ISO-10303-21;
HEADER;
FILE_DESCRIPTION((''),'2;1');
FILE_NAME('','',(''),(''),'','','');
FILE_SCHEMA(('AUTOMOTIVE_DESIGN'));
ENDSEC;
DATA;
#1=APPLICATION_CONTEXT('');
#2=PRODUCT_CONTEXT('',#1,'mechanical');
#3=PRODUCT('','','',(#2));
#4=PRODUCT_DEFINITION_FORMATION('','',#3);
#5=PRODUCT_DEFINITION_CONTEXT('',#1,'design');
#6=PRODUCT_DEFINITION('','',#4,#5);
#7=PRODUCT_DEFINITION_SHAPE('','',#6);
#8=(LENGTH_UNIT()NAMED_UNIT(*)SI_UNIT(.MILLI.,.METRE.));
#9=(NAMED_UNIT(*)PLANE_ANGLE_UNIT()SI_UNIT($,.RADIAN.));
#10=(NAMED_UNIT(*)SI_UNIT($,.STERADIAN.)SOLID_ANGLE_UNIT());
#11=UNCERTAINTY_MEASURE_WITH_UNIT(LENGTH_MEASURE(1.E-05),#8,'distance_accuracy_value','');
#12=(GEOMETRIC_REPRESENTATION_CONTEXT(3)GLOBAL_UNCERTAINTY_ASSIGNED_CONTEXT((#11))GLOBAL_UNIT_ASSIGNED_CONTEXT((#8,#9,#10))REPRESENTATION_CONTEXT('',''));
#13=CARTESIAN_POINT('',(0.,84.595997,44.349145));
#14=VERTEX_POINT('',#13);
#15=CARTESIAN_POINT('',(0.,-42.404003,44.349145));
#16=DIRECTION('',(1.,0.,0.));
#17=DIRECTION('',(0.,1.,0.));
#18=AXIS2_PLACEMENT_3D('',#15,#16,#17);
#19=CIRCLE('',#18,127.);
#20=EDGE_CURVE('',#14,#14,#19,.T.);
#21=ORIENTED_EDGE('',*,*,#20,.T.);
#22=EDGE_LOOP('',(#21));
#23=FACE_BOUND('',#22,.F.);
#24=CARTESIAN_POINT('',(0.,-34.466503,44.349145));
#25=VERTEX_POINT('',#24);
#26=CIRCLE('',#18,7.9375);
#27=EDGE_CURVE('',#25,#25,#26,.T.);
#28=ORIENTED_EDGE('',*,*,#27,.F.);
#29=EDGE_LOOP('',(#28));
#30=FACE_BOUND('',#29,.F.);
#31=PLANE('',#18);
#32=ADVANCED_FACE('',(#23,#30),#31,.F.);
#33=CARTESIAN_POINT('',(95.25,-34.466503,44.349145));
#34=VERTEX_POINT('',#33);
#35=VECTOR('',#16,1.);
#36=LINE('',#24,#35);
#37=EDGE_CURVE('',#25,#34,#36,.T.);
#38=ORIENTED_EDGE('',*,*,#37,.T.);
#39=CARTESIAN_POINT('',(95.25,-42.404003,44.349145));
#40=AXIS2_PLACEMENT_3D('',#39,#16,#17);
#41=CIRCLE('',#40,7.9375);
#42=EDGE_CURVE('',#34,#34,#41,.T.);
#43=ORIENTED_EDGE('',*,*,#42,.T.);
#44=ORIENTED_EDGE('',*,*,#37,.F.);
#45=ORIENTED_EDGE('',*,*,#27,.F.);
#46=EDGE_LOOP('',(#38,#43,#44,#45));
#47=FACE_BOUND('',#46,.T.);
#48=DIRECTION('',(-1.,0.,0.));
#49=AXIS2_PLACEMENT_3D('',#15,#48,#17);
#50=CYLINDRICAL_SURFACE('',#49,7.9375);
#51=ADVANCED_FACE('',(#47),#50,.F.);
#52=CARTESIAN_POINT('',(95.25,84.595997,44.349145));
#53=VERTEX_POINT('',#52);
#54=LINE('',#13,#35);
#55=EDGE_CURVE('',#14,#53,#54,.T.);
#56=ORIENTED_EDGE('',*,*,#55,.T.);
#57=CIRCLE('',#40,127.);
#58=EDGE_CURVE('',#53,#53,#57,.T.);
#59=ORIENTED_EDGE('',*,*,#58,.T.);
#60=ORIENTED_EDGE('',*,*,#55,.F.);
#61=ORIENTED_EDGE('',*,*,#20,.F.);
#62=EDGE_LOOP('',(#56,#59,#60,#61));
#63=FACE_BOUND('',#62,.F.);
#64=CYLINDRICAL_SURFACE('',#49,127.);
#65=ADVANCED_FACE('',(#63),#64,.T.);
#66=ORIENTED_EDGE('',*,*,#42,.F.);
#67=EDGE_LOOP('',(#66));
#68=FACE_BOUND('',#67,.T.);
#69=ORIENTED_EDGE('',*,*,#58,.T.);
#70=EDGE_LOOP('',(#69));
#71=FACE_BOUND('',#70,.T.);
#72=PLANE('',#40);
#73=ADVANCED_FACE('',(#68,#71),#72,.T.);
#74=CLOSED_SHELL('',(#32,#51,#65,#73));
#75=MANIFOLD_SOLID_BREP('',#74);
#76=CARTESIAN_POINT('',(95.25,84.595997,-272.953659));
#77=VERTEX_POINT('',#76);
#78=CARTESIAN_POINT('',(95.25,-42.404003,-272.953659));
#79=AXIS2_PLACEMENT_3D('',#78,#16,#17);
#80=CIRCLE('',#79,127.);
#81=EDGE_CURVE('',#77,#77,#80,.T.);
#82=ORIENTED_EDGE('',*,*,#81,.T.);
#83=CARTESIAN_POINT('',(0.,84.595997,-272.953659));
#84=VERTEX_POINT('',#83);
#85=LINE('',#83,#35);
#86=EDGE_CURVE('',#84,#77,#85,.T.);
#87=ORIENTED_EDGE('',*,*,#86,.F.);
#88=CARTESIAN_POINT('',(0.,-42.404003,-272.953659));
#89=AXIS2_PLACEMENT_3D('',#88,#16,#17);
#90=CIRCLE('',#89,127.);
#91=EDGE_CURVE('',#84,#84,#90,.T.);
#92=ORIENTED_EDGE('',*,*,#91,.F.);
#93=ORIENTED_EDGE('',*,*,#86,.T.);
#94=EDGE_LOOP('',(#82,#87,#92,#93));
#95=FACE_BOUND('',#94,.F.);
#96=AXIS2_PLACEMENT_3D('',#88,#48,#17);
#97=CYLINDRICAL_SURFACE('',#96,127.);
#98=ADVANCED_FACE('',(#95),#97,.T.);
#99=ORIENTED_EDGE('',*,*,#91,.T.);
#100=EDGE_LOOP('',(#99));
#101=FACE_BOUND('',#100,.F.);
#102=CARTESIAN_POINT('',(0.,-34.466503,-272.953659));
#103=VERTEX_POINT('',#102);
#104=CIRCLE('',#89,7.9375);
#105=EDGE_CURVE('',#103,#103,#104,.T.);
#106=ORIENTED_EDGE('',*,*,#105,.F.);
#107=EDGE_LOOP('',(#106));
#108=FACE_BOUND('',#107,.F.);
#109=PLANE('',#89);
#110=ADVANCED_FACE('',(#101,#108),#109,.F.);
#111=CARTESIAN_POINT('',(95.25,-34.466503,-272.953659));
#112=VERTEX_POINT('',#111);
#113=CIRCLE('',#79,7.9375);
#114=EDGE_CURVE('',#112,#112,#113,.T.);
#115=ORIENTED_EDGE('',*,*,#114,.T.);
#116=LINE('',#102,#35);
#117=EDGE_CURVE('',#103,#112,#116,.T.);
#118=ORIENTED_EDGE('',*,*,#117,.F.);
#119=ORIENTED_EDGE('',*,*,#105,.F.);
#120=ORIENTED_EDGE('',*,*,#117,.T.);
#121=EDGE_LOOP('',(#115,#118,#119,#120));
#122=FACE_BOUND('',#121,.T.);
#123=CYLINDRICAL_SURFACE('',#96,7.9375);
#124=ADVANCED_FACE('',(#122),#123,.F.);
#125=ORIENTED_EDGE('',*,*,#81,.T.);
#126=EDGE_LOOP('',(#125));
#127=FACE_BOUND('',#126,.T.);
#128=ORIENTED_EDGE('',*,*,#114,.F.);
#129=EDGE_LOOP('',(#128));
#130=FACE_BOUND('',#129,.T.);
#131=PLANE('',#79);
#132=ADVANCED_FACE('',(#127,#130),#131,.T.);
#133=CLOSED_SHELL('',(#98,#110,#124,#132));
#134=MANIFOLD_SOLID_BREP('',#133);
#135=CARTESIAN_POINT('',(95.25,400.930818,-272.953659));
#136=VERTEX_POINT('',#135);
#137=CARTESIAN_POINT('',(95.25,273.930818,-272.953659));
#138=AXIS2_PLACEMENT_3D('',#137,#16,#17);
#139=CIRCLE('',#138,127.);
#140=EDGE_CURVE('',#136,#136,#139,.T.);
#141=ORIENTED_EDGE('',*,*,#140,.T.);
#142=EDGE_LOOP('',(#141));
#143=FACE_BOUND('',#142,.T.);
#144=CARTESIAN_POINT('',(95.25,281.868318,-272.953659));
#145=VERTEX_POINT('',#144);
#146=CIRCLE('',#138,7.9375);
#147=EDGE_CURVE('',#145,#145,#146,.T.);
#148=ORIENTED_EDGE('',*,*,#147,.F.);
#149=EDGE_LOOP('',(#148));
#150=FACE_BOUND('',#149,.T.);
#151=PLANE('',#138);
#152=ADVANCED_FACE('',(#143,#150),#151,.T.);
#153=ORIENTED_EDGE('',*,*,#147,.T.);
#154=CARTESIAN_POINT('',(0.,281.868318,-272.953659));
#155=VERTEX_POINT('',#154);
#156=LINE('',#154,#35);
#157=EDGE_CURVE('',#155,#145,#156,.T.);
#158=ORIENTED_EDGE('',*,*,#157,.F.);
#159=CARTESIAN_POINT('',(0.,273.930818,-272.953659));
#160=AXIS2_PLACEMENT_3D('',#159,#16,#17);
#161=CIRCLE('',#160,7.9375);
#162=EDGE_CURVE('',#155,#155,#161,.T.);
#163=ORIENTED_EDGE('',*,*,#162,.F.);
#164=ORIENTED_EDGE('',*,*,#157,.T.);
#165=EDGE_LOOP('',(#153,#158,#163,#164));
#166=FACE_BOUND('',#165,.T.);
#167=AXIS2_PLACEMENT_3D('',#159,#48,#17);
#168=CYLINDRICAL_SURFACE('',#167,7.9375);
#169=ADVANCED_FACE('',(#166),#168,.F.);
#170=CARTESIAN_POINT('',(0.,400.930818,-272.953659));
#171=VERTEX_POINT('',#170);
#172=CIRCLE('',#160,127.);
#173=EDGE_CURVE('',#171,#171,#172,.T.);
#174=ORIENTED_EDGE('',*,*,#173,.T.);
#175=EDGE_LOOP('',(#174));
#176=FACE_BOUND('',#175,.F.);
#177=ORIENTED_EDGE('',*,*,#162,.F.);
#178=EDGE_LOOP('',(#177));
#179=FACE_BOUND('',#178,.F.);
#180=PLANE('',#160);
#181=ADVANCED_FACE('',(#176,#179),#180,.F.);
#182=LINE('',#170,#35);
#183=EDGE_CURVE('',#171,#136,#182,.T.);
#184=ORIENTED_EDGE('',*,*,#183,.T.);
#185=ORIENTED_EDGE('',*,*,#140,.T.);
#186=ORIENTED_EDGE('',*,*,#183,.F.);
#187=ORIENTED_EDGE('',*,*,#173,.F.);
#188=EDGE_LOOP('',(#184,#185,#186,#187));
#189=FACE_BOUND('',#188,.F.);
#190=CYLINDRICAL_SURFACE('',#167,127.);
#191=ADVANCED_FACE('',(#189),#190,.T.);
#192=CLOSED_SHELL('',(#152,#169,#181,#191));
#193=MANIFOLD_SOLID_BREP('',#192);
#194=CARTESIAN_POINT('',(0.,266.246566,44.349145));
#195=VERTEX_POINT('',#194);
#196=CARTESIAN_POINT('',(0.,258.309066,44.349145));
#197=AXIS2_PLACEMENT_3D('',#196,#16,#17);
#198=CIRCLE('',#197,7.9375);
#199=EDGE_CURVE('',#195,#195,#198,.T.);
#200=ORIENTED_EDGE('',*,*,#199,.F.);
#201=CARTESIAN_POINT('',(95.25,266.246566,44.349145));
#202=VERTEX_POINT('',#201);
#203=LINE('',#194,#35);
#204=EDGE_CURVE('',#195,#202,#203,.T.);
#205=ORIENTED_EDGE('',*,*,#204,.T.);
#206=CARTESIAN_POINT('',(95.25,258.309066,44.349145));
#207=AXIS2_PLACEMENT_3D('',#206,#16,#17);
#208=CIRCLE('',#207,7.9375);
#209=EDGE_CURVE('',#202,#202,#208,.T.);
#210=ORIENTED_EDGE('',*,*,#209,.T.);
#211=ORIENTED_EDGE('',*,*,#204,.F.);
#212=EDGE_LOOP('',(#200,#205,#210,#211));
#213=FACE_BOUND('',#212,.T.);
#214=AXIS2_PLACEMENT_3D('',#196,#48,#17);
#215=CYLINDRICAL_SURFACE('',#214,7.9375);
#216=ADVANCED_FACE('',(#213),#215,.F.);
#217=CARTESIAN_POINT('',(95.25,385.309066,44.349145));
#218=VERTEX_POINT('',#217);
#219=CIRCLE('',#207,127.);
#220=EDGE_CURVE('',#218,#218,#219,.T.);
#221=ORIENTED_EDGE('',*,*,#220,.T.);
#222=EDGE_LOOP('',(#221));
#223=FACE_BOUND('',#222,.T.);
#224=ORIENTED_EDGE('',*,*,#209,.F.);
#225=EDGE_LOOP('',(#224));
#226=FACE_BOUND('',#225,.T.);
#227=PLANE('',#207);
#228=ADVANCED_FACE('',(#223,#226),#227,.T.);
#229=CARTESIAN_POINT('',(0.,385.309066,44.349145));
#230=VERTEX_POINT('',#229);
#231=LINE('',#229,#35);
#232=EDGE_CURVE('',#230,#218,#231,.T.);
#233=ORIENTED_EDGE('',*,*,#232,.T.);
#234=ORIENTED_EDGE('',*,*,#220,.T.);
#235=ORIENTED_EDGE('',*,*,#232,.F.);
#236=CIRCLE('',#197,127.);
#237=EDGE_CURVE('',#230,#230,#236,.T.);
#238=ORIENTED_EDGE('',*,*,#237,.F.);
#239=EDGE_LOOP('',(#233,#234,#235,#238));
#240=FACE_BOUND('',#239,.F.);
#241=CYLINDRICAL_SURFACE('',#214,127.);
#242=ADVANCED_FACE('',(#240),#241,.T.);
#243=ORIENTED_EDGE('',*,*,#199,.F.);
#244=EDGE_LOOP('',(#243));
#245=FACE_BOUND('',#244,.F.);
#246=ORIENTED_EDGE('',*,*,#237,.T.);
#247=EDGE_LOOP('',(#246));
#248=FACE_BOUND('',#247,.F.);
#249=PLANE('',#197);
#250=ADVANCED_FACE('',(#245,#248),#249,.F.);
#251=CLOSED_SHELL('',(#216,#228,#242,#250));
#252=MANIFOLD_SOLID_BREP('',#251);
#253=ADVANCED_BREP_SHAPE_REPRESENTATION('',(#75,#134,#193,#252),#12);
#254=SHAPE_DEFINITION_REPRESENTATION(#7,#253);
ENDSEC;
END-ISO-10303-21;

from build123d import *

# Parameters (mm, degrees)
F0_R     = 127
F0_R_2   = 7.9375
F1_DEPTH = 95.25


with BuildPart() as f1:
    # F0 (on Right) → F1 (new body)
    with BuildSketch(Plane.YZ):
        with Locations((-42.404003, 44.349145)):
            Circle(F0_R)
        with Locations((-42.404003, 44.349145)):
            Circle(F0_R_2, mode=Mode.SUBTRACT)
        with Locations((258.309066, 44.349145)):
            Circle(F0_R)
        with Locations((258.309066, 44.349145)):
            Circle(F0_R_2, mode=Mode.SUBTRACT)
        with Locations((273.930818, -272.953659)):
            Circle(F0_R)
        with Locations((273.930818, -272.953659)):
            Circle(F0_R_2, mode=Mode.SUBTRACT)
        with Locations((-42.404003, -272.953659)):
            Circle(F0_R)
        with Locations((-42.404003, -272.953659)):
            Circle(F0_R_2, mode=Mode.SUBTRACT)
    extrude(amount=F1_DEPTH)


solid = f1.part
